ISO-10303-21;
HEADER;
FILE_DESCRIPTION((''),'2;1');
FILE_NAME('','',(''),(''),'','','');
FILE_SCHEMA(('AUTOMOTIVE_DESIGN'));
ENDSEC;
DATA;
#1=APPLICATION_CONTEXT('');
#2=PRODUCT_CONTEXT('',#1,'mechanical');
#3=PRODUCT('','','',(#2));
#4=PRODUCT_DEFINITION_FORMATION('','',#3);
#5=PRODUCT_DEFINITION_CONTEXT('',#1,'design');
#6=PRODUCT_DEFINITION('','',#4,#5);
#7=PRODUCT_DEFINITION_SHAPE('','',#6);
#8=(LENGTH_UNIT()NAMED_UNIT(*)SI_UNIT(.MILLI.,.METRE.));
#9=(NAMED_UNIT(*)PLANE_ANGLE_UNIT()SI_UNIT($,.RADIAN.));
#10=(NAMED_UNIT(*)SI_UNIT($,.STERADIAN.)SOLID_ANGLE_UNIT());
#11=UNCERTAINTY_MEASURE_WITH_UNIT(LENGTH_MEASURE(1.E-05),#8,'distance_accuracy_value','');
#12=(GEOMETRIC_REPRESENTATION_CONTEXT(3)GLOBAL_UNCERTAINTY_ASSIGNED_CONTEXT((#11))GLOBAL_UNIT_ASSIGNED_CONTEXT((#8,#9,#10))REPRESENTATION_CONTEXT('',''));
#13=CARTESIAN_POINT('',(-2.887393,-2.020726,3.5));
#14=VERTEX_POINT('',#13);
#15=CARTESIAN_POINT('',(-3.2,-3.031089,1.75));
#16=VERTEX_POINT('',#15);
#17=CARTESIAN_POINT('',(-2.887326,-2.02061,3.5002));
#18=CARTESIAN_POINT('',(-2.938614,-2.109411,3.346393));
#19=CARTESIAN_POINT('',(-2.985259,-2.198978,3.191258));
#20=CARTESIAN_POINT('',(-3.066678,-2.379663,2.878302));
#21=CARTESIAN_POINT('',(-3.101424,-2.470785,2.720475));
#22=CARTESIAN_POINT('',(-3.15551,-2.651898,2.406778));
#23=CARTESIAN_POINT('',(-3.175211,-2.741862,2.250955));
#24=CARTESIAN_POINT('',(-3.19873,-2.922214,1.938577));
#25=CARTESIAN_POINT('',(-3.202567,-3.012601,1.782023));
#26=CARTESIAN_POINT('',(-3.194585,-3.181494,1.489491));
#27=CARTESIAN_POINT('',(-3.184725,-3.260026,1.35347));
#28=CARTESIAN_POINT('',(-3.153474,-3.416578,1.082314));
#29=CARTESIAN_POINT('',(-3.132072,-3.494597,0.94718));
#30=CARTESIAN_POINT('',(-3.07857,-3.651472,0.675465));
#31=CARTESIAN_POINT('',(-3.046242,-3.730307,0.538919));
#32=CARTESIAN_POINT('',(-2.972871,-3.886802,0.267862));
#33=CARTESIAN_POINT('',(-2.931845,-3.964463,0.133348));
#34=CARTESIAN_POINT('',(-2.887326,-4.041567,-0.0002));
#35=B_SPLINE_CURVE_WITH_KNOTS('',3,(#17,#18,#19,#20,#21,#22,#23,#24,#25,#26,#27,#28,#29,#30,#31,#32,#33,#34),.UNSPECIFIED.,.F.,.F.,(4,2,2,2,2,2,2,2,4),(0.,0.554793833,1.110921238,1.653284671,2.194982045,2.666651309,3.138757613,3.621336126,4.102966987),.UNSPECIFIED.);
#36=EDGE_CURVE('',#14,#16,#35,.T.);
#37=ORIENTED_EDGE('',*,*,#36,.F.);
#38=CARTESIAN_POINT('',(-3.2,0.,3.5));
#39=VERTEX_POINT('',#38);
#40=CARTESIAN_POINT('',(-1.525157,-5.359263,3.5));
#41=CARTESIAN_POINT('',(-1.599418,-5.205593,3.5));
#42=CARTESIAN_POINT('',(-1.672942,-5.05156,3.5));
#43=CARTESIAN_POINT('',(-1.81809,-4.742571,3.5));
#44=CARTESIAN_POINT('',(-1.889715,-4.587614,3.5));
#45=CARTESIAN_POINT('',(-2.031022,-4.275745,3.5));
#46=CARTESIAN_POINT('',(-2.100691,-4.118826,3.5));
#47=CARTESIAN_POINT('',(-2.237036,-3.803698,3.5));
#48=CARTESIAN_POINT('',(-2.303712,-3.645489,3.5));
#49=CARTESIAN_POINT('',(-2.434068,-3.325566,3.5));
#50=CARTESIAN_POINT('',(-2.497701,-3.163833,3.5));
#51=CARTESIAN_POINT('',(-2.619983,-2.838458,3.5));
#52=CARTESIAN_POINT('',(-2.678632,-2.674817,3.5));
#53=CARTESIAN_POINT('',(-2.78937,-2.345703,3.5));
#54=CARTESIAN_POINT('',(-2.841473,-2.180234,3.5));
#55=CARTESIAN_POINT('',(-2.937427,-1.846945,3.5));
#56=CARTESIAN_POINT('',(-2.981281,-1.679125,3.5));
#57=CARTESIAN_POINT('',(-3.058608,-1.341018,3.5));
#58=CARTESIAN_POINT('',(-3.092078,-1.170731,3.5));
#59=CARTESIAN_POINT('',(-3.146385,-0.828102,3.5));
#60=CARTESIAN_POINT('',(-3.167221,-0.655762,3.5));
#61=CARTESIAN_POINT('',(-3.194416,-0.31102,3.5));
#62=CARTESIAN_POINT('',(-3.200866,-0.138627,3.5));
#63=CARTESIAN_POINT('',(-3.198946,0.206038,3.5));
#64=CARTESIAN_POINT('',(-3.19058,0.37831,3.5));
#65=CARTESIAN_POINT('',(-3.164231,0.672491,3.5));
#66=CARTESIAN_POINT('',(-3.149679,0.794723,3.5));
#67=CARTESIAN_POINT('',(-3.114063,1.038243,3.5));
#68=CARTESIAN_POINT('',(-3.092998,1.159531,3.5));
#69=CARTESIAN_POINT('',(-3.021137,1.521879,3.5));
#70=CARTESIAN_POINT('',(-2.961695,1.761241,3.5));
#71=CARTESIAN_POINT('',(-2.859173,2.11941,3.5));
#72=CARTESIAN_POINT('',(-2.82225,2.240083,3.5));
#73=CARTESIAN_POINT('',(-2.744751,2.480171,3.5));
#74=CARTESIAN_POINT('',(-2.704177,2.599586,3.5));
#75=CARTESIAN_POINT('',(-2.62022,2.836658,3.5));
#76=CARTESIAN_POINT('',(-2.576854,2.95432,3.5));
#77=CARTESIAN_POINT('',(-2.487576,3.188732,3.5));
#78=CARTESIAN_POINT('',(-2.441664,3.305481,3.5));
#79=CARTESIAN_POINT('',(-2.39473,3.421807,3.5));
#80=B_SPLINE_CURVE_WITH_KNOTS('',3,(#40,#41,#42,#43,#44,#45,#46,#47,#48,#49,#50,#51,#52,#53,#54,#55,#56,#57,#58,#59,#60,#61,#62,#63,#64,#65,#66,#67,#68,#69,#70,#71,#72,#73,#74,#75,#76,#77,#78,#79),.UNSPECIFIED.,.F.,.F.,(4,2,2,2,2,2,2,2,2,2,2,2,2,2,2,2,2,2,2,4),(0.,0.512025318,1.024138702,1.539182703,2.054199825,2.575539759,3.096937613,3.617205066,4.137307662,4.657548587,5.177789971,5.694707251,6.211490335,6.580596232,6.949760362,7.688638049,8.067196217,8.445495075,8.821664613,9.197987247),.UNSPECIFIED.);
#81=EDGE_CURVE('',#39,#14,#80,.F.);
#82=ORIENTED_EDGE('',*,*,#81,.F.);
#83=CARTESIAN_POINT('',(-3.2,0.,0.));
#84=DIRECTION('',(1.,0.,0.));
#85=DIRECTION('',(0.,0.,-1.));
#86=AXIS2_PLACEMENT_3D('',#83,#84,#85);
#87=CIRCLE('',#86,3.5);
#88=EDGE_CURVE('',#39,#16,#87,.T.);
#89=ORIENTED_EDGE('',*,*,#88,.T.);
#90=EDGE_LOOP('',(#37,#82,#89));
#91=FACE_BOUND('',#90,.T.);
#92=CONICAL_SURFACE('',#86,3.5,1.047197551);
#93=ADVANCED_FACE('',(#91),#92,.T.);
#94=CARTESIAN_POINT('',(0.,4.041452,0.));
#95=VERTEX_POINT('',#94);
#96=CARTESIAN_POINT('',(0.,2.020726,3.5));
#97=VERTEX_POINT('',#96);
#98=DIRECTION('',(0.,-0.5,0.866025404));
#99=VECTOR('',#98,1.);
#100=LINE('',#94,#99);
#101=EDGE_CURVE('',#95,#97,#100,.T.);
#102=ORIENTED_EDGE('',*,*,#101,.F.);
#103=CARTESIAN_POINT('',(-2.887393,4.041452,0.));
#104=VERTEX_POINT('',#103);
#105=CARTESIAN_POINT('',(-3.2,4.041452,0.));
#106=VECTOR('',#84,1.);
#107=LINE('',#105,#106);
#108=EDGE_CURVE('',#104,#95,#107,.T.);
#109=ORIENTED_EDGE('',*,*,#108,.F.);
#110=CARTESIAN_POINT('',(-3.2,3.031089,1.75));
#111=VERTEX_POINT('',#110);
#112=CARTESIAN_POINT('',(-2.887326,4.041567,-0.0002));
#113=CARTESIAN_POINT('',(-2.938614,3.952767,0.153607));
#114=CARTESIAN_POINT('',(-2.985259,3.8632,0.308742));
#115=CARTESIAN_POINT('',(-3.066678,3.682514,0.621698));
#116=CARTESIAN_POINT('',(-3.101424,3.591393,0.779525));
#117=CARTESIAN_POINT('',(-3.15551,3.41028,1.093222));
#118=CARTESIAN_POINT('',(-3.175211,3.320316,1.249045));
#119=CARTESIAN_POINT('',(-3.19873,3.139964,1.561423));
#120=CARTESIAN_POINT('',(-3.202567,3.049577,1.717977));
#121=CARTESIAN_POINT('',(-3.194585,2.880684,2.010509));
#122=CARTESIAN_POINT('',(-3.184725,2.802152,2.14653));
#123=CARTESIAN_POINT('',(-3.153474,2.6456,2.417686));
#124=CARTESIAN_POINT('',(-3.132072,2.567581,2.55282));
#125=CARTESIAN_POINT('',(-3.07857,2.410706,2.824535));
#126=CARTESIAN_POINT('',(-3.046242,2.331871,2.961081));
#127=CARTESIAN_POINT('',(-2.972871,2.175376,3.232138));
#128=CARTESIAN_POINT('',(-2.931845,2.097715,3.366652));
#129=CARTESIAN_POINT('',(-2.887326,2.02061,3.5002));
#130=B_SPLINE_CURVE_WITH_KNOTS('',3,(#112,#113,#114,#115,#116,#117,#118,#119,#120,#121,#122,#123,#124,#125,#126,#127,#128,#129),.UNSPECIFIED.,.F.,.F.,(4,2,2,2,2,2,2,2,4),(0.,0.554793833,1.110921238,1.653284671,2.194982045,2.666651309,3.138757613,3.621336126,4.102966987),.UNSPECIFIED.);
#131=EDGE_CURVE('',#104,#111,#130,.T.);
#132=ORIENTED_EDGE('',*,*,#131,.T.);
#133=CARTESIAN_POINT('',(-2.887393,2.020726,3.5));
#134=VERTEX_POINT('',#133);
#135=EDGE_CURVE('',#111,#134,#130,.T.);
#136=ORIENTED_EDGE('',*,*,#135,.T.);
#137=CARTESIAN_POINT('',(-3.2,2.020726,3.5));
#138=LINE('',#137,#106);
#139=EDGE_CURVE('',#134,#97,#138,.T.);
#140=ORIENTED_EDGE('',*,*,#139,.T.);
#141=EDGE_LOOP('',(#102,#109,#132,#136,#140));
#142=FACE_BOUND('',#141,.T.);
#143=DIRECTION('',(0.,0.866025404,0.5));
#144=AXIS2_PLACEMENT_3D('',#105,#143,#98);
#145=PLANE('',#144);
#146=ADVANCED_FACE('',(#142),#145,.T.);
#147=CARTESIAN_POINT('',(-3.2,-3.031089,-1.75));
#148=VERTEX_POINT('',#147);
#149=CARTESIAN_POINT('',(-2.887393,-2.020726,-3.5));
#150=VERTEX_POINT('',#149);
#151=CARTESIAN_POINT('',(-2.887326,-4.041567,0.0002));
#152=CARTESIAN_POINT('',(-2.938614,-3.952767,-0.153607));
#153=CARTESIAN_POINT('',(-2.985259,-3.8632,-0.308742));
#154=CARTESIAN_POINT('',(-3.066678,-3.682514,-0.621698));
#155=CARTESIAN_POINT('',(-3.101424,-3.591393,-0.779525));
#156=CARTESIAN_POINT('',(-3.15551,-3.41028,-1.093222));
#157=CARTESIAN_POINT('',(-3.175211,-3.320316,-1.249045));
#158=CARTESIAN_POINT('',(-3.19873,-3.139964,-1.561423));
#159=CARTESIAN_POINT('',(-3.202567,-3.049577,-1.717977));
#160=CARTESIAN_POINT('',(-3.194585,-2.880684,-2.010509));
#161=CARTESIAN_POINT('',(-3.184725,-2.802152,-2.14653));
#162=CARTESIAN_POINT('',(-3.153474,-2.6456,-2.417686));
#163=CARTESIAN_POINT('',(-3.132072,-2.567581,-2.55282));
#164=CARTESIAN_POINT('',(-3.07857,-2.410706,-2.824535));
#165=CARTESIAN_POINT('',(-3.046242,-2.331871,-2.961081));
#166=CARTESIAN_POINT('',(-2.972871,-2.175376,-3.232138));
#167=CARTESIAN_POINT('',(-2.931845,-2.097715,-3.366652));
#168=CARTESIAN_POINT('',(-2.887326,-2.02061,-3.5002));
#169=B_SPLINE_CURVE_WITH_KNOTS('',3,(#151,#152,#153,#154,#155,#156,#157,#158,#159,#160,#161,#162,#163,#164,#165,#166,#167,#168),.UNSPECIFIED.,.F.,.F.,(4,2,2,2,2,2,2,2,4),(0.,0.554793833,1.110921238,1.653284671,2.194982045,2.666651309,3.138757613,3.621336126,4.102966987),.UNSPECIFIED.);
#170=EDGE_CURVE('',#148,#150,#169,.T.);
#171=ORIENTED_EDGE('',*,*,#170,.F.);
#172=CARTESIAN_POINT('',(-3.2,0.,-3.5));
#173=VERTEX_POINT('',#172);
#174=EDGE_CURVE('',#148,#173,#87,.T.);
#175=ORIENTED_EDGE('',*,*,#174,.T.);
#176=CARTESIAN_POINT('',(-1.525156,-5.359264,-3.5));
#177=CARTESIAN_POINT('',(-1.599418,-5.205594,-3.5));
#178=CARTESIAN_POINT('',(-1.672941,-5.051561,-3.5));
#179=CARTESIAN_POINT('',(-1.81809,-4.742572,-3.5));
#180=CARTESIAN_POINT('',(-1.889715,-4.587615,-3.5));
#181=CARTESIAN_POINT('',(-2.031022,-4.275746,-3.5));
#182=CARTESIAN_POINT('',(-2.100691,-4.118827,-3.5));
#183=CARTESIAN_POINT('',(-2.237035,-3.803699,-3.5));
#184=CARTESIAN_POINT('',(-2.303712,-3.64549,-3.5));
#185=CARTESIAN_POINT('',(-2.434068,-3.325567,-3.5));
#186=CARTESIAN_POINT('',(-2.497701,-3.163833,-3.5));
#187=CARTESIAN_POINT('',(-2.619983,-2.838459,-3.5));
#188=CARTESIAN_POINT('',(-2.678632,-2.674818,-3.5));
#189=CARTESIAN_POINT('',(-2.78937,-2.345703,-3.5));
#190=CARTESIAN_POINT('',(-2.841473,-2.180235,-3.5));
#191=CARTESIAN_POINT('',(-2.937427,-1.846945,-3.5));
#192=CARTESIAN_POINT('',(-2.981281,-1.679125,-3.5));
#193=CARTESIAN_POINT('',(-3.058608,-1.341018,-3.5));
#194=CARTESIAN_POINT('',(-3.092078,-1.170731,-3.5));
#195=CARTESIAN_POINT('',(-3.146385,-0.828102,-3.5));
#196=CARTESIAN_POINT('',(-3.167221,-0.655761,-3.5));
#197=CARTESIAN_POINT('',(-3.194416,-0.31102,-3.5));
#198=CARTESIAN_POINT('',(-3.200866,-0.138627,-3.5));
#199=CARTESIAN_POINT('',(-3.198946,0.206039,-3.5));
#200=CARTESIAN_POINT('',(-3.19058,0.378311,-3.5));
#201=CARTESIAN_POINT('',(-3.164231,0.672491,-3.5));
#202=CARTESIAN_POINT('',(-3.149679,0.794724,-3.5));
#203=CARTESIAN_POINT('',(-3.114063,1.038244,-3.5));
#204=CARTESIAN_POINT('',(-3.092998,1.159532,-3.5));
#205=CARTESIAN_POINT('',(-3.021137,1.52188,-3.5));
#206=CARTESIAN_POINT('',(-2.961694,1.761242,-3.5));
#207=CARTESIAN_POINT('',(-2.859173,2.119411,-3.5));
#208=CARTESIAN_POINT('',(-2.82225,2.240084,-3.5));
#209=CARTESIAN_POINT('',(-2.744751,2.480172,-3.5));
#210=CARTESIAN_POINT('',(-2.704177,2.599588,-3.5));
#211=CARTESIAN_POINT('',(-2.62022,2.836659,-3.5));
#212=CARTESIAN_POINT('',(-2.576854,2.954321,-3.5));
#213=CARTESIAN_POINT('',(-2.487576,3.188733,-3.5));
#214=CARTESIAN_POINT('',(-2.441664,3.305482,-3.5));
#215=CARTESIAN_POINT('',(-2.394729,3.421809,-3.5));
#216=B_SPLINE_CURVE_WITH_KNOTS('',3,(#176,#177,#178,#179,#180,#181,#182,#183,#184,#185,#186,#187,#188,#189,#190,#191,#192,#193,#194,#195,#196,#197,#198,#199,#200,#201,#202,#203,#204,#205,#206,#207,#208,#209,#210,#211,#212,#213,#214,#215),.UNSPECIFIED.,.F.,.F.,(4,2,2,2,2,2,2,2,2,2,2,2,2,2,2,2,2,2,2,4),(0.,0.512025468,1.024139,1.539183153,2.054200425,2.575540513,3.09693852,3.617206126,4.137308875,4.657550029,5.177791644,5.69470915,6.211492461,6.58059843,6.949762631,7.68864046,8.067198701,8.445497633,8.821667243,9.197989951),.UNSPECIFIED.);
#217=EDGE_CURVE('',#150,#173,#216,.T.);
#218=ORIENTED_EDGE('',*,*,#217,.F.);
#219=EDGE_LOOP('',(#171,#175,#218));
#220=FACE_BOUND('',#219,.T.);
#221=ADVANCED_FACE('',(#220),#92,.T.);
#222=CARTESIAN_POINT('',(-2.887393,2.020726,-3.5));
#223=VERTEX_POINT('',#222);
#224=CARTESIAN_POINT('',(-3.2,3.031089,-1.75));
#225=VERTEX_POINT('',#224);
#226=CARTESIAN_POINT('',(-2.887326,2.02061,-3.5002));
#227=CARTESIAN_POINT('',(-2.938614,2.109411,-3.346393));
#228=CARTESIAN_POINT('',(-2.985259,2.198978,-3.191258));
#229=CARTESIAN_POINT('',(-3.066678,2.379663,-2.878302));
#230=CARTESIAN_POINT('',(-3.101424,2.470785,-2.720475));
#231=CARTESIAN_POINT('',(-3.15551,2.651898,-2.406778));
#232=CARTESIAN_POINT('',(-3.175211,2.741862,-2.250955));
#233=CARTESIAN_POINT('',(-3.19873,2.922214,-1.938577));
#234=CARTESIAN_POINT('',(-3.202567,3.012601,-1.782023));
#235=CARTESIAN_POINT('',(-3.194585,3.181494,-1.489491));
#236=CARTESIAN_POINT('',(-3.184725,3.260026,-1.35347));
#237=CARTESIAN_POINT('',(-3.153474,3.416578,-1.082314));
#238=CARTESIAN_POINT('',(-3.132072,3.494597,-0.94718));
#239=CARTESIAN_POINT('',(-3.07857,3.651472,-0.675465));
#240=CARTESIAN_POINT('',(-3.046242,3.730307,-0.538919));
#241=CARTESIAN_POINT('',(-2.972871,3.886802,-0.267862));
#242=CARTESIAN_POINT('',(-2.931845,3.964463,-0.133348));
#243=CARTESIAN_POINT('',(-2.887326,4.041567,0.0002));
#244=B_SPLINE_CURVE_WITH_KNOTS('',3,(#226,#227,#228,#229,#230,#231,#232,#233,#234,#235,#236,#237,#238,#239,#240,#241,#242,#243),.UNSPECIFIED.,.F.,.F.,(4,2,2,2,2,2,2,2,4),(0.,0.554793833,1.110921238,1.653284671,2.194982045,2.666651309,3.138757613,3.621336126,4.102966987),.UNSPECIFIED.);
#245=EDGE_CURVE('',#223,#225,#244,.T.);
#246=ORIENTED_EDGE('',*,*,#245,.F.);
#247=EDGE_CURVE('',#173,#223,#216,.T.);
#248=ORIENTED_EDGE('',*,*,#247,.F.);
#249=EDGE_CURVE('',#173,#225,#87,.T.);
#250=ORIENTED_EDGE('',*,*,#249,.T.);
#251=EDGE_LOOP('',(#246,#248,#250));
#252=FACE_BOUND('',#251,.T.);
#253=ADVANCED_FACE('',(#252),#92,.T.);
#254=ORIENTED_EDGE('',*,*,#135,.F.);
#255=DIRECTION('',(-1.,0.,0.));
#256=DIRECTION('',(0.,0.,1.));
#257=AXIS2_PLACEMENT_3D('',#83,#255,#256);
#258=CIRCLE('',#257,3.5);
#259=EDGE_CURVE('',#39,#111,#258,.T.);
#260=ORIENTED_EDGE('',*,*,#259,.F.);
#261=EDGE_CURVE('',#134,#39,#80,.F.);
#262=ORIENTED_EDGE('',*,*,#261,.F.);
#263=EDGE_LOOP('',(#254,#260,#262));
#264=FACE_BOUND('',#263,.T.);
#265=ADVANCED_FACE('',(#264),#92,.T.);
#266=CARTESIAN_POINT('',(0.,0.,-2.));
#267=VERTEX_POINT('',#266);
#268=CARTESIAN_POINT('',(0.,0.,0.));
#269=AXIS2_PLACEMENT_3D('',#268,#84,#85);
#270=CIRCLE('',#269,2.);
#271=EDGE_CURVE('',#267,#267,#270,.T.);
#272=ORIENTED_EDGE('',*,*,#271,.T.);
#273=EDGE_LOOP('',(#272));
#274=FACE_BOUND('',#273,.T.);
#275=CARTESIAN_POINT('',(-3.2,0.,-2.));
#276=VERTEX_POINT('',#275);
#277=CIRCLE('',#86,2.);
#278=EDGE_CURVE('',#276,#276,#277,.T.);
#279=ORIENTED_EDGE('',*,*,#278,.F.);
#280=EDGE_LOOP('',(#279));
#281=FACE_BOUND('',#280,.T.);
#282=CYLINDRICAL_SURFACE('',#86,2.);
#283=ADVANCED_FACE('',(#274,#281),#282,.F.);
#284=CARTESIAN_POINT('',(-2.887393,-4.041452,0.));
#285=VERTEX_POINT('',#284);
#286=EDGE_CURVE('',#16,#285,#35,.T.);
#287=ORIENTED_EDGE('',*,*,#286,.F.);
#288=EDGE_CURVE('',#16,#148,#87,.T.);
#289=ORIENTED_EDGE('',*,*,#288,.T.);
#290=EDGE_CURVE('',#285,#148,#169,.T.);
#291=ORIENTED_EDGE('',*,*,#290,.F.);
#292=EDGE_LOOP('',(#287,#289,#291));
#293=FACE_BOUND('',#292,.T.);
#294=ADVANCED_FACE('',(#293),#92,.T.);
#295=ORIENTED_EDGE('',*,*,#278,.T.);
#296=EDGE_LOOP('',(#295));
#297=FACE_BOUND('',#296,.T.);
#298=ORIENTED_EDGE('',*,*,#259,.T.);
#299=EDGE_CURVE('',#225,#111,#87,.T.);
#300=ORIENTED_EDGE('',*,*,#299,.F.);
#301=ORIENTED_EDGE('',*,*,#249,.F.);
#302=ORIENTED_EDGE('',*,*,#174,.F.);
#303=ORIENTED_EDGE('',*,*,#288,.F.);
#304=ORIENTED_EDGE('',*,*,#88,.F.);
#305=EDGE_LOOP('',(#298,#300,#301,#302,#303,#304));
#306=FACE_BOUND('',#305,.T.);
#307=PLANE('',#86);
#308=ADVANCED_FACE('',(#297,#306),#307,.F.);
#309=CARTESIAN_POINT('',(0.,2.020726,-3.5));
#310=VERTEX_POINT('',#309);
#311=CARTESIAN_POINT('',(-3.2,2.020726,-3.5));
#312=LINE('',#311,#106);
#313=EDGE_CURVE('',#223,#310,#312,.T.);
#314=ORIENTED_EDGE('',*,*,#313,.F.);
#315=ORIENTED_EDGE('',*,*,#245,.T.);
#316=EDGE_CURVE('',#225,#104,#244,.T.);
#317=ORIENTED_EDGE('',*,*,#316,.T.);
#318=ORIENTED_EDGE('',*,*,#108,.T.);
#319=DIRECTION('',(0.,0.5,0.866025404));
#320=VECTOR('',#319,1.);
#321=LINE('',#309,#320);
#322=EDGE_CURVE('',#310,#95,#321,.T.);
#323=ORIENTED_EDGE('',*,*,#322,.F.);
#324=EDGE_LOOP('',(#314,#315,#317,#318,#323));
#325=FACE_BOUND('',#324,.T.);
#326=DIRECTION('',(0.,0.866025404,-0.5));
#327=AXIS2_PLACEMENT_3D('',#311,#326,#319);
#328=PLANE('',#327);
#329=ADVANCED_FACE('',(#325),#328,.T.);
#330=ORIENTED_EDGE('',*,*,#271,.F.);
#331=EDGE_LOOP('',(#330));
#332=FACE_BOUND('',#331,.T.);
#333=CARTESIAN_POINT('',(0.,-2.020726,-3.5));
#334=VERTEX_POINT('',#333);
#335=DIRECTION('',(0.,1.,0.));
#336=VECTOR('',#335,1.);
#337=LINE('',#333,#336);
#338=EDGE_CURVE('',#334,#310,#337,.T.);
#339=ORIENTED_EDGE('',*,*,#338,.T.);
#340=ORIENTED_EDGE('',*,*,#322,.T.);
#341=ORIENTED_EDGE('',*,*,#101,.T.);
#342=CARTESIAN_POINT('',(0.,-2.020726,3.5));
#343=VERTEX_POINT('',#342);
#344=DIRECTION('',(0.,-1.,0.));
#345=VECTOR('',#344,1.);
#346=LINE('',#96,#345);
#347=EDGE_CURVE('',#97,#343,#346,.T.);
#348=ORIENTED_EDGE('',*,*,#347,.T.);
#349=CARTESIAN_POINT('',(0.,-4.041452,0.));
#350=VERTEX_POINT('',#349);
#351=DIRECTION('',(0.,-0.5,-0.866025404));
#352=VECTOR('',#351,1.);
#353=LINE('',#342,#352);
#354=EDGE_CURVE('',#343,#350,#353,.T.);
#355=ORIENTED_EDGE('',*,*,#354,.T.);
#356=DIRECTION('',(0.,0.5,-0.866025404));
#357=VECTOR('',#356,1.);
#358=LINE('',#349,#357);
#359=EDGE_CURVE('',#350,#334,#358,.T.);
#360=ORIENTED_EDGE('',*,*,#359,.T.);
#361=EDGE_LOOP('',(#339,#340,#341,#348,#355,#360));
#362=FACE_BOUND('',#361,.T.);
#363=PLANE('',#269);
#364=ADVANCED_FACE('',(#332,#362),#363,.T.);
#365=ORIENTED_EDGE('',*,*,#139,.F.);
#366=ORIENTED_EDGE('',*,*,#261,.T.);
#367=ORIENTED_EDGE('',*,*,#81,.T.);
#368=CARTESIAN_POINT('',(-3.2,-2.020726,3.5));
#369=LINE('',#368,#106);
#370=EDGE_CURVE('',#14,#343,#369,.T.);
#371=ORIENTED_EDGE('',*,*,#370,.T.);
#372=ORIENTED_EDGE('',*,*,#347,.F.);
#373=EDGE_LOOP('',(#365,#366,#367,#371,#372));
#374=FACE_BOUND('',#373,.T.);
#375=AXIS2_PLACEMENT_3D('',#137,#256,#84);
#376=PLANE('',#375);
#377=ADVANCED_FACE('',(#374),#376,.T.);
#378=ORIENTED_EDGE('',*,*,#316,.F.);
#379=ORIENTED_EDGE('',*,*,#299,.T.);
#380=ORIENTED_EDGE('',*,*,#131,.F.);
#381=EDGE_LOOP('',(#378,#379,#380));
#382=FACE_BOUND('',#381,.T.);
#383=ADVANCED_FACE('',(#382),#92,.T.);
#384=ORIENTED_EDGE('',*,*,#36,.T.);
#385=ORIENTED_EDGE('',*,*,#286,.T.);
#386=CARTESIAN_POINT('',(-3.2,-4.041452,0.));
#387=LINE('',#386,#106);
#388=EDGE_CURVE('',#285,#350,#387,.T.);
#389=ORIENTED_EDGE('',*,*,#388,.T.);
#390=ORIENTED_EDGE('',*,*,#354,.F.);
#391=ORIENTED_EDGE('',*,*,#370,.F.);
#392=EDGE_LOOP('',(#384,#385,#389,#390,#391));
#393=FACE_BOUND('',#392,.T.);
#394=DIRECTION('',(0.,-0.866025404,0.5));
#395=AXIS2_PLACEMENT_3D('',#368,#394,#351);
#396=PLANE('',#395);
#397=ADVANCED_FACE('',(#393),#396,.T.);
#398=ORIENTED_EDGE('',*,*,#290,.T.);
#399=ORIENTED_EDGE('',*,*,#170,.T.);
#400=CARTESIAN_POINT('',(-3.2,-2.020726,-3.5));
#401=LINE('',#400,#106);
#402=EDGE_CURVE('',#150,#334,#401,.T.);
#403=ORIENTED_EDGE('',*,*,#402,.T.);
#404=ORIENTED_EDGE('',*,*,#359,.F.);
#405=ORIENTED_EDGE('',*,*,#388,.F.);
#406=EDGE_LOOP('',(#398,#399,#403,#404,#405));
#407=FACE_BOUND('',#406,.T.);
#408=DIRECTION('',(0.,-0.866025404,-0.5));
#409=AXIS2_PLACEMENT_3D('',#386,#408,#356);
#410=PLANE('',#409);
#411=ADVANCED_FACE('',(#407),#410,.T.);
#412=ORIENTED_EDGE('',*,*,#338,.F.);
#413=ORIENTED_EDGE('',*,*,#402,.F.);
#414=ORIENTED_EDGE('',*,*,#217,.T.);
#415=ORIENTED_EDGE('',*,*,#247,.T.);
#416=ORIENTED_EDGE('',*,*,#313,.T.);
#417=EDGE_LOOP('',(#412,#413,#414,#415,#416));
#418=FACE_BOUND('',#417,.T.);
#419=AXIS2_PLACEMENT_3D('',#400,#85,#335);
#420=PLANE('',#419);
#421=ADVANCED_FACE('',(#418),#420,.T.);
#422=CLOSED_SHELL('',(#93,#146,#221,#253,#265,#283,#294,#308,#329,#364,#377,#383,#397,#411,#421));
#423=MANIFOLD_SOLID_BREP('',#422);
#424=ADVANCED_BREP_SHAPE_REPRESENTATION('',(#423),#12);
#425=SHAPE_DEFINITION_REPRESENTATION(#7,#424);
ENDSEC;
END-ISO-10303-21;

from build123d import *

# Parameters (mm, degrees)
BOSS_EXTRUDE1_DEPTH = 3.2
SKETCH7_R           = 2
CUT_EXTRUDE1_DEPTH  = 7.23083729


with BuildPart() as part:
    # Sketch1 → Boss-Extrude1 (new body)
    with BuildSketch(Plane(origin=(0, 0, 0), x_dir=(0, 0, -1), z_dir=(1, 0, 0))):
        Polygon((0, 4.041451884), (-3.5, 2.020725942), (-3.5, -2.020725942), (0, -4.041451884), (3.5, -2.020725942), (3.5, 2.020725942), align=None)
    extrude(amount=-BOSS_EXTRUDE1_DEPTH)

    # Sketch2 → Cut-Revolve1 (revolve, cut)
    with BuildSketch(Plane.XY):
        Polygon((-3.2, 3.5), (-2.887392609, 4.041451884), (-3.2, 4.041451884), align=None)
    revolve(axis=Axis((-2.23854625, 0, 0), (1, 0, 0)), mode=Mode.SUBTRACT)

    # Sketch7 → Cut-Extrude1 (cut, through all)
    with BuildSketch(Plane(origin=(0, 0, 0), x_dir=(0, 0, -1), z_dir=(1, 0, 0))):
        Circle(SKETCH7_R)
    extrude(amount=-CUT_EXTRUDE1_DEPTH, mode=Mode.SUBTRACT)


solid = part.part
